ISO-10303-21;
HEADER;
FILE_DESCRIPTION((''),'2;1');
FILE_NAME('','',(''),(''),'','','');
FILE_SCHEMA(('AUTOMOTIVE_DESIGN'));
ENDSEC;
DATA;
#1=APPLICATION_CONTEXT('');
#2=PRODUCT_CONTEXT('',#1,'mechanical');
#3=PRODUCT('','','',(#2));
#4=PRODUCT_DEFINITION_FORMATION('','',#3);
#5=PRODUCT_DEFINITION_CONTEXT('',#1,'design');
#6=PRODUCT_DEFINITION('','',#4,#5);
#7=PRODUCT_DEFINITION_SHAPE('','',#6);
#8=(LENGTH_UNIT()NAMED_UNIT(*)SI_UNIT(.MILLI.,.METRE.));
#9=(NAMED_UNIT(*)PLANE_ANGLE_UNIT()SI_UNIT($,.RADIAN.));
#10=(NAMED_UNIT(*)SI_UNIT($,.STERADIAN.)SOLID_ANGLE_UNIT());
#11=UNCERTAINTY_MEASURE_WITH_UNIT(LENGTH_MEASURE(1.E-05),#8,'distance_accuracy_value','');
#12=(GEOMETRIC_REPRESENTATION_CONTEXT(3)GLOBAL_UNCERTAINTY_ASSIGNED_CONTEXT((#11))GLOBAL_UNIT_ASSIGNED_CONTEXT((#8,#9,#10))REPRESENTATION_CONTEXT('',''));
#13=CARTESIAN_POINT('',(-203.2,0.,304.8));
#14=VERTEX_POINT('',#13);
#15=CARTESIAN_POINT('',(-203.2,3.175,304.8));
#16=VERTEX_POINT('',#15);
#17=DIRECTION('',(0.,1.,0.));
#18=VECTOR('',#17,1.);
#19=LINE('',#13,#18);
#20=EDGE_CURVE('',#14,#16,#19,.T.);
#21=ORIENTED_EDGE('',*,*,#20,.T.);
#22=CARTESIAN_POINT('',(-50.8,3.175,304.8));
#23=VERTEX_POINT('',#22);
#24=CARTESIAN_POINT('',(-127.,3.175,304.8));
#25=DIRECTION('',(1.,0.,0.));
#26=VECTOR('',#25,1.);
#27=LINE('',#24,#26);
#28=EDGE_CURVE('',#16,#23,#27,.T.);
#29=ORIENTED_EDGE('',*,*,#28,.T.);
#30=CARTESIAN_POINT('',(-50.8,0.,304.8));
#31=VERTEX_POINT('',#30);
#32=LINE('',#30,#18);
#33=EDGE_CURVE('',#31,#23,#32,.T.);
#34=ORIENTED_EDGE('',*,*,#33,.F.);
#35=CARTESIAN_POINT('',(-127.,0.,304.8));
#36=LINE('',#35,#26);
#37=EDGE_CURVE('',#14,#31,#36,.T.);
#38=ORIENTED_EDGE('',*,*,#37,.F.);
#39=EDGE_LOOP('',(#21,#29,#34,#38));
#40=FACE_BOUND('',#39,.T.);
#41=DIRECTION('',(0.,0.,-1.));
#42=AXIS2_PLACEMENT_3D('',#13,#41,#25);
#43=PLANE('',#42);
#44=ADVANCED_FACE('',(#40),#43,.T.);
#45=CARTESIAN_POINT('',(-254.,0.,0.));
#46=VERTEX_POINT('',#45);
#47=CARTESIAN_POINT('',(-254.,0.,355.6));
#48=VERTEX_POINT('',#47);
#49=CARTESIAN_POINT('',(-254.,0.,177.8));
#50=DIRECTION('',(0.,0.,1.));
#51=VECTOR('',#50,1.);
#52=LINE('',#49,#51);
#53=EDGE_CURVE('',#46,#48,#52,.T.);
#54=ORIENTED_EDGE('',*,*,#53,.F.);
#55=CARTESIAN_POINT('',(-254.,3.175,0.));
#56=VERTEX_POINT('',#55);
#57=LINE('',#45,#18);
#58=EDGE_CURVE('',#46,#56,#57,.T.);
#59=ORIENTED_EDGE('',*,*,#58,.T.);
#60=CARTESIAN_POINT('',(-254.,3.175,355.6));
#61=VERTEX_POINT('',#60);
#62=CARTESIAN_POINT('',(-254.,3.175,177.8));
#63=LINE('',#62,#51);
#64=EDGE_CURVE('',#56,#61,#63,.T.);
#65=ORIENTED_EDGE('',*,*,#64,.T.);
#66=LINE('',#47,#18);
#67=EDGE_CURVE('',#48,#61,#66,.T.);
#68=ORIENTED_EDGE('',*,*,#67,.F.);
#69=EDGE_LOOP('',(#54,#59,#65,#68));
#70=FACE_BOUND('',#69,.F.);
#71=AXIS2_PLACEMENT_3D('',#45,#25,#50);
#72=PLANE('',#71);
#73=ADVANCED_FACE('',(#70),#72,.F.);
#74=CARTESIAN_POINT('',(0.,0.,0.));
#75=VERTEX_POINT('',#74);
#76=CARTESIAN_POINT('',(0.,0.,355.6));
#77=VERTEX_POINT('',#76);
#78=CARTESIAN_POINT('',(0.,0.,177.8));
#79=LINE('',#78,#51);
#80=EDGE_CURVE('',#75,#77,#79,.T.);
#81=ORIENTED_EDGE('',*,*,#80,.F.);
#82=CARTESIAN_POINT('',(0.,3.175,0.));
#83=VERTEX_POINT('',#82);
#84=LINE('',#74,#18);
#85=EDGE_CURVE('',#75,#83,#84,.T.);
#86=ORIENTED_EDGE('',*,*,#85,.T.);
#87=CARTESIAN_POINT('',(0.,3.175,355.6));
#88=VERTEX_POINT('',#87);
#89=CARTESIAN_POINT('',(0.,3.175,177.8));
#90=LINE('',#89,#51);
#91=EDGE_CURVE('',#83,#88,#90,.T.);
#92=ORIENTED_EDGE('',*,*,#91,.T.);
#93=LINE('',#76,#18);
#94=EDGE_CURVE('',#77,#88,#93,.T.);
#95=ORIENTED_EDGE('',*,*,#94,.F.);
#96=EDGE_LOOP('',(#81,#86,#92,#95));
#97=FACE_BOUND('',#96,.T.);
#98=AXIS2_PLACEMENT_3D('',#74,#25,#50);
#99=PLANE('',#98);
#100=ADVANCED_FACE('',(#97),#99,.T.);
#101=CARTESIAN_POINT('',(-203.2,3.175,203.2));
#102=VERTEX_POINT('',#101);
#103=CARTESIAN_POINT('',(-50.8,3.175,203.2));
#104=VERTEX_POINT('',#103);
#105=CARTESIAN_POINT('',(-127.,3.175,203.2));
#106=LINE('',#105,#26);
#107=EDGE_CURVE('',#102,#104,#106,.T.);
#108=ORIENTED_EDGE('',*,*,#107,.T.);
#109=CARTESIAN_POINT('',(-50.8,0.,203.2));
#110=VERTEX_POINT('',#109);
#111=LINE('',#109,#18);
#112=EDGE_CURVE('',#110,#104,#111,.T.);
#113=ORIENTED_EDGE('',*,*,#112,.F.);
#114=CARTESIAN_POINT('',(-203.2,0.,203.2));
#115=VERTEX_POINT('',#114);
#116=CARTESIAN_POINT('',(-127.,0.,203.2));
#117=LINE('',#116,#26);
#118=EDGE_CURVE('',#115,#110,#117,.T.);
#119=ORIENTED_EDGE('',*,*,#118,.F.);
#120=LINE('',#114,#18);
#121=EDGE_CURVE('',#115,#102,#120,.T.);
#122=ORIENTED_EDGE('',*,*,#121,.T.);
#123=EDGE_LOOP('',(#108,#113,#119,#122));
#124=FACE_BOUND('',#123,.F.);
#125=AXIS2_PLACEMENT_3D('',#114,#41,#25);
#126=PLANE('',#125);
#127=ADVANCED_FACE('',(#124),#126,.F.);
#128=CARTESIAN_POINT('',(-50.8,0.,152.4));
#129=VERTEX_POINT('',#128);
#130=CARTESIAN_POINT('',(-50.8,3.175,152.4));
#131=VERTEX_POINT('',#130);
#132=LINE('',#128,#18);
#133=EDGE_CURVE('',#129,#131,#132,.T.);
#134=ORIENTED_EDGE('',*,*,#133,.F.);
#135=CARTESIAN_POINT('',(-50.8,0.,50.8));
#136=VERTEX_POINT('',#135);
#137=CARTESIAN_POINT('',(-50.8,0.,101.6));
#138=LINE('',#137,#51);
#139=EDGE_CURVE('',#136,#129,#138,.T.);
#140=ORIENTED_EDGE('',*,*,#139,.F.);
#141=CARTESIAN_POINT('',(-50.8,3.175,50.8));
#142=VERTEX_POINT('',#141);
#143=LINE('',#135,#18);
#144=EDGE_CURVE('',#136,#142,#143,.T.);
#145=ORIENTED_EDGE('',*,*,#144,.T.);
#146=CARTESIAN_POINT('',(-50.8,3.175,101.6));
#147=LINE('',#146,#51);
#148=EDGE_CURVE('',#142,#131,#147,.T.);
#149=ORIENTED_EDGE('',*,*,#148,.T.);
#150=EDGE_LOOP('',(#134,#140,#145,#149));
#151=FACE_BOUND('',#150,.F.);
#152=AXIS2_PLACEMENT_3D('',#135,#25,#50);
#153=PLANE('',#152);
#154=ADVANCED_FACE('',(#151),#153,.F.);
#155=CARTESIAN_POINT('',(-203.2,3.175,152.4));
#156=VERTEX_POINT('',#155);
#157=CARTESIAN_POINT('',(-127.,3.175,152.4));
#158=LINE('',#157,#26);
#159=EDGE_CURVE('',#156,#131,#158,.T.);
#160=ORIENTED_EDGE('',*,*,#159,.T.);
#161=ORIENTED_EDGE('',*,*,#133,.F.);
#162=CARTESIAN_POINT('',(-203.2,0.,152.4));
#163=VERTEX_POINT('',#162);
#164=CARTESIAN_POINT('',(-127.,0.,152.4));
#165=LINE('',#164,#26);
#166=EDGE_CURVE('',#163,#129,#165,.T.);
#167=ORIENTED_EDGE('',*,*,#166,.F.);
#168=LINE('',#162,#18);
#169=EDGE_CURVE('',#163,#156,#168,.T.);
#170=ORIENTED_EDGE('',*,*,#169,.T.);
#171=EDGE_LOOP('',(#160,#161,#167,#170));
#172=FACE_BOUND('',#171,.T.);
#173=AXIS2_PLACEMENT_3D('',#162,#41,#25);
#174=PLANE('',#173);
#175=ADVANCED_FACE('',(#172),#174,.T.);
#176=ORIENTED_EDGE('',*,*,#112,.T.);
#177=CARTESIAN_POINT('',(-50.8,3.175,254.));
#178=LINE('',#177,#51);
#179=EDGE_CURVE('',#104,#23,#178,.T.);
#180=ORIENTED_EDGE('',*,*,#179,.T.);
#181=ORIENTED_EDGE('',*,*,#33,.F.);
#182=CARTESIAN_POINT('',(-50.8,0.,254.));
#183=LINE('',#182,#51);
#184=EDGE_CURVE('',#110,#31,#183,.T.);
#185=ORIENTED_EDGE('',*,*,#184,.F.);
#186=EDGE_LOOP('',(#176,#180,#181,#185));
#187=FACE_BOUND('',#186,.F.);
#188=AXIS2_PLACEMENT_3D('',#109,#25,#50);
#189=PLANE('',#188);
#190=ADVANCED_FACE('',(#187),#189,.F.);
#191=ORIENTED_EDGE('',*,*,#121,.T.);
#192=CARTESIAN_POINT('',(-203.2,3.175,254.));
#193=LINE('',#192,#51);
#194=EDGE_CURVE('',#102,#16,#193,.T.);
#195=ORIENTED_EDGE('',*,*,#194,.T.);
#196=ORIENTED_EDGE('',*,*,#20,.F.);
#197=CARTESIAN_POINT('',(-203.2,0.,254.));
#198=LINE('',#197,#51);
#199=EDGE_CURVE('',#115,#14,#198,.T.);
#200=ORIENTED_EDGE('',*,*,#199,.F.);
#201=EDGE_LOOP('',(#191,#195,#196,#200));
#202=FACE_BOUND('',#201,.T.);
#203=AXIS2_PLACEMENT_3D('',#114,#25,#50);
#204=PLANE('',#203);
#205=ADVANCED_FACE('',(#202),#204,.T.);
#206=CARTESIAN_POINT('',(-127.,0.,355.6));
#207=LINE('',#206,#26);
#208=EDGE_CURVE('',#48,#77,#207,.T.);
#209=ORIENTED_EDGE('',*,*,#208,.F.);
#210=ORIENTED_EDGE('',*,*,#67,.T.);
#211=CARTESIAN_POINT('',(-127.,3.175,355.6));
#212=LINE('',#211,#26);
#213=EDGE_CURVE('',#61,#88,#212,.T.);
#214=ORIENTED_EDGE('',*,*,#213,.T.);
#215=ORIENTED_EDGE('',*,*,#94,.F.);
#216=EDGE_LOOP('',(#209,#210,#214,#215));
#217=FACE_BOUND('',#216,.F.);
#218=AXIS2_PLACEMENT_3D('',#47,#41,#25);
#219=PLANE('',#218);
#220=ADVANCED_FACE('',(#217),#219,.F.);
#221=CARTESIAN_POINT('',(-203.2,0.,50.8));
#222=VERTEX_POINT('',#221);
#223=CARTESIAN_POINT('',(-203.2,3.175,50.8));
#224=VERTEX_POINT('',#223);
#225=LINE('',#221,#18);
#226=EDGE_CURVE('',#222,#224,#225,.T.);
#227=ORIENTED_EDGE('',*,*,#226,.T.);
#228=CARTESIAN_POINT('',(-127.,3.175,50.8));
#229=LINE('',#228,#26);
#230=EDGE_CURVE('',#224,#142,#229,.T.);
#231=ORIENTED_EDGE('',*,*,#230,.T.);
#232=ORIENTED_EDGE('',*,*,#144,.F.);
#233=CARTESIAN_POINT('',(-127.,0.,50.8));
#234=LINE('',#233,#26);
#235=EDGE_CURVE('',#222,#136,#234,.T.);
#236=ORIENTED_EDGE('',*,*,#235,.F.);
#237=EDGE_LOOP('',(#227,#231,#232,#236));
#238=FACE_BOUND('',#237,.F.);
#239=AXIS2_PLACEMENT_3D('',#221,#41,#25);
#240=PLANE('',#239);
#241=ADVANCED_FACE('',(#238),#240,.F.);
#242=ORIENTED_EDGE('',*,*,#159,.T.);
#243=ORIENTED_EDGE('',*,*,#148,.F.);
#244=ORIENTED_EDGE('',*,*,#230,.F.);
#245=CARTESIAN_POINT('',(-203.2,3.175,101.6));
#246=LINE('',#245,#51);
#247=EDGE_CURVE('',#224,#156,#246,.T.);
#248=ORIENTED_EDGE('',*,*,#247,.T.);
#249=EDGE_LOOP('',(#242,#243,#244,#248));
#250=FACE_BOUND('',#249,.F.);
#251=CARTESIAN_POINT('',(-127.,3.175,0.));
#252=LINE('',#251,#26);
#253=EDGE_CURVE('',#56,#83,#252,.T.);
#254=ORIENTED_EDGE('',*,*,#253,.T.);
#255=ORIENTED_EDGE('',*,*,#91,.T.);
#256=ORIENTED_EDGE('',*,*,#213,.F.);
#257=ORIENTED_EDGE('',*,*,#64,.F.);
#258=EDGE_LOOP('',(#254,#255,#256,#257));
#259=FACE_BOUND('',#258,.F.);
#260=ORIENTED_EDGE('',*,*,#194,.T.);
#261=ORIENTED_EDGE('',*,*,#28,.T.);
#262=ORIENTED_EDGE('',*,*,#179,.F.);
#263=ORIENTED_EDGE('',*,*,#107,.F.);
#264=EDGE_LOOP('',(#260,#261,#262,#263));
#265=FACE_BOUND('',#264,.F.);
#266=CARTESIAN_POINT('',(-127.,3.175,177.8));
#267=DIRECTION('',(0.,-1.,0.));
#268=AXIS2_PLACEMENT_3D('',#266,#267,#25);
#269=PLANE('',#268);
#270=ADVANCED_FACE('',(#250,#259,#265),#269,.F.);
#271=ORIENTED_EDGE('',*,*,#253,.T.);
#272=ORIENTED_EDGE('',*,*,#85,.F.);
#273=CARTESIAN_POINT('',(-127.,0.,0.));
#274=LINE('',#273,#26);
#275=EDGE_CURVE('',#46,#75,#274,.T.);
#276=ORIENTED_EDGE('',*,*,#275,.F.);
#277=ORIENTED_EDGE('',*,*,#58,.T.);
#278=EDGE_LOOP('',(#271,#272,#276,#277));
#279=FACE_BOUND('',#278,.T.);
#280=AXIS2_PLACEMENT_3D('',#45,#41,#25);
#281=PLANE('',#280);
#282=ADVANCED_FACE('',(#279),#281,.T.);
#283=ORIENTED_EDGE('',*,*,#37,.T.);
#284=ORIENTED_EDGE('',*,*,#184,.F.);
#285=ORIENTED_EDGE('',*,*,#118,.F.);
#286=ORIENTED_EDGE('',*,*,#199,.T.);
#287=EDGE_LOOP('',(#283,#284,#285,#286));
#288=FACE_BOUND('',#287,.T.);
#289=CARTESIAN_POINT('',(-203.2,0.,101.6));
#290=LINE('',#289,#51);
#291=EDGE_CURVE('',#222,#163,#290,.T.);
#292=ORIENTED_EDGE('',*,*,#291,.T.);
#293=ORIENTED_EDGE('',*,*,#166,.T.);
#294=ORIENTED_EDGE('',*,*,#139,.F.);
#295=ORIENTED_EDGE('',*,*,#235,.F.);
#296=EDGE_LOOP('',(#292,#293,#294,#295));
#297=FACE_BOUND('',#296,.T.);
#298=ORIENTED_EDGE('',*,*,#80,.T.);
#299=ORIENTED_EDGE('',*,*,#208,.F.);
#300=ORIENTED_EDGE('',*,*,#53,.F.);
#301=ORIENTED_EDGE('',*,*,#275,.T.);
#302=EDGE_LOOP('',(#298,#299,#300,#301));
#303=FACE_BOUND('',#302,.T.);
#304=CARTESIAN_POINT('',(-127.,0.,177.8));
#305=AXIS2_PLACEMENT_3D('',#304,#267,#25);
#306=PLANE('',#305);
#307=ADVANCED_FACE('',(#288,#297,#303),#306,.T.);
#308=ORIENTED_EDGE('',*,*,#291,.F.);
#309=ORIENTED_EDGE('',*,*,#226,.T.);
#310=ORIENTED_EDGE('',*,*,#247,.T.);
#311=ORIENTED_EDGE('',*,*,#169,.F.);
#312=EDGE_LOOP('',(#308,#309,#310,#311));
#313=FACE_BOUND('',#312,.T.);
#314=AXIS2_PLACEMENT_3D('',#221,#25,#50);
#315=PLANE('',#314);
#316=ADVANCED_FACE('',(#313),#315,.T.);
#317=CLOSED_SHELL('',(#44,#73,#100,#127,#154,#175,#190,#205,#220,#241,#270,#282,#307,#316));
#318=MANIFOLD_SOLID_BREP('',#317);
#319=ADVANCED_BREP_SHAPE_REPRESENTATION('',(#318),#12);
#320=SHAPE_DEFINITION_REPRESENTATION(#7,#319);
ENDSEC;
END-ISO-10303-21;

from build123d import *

# Parameters (mm, degrees)
F0_W     = 254
F0_H     = 355.6
F0_W_2   = 152.4
F0_H_2   = 101.6
F1_DEPTH = 3.175


with BuildPart() as f1:
    # F0 (on Front) → F1 (new body)
    with BuildSketch(Plane.XZ):
        with Locations((-127, 177.8)):
            Rectangle(F0_W, F0_H)
        with Locations((-127, 101.6)):
            Rectangle(F0_W_2, F0_H_2, mode=Mode.SUBTRACT)
        with Locations((-127, 254)):
            Rectangle(F0_W_2, F0_H_2, mode=Mode.SUBTRACT)
    extrude(amount=-F1_DEPTH)


solid = f1.part
